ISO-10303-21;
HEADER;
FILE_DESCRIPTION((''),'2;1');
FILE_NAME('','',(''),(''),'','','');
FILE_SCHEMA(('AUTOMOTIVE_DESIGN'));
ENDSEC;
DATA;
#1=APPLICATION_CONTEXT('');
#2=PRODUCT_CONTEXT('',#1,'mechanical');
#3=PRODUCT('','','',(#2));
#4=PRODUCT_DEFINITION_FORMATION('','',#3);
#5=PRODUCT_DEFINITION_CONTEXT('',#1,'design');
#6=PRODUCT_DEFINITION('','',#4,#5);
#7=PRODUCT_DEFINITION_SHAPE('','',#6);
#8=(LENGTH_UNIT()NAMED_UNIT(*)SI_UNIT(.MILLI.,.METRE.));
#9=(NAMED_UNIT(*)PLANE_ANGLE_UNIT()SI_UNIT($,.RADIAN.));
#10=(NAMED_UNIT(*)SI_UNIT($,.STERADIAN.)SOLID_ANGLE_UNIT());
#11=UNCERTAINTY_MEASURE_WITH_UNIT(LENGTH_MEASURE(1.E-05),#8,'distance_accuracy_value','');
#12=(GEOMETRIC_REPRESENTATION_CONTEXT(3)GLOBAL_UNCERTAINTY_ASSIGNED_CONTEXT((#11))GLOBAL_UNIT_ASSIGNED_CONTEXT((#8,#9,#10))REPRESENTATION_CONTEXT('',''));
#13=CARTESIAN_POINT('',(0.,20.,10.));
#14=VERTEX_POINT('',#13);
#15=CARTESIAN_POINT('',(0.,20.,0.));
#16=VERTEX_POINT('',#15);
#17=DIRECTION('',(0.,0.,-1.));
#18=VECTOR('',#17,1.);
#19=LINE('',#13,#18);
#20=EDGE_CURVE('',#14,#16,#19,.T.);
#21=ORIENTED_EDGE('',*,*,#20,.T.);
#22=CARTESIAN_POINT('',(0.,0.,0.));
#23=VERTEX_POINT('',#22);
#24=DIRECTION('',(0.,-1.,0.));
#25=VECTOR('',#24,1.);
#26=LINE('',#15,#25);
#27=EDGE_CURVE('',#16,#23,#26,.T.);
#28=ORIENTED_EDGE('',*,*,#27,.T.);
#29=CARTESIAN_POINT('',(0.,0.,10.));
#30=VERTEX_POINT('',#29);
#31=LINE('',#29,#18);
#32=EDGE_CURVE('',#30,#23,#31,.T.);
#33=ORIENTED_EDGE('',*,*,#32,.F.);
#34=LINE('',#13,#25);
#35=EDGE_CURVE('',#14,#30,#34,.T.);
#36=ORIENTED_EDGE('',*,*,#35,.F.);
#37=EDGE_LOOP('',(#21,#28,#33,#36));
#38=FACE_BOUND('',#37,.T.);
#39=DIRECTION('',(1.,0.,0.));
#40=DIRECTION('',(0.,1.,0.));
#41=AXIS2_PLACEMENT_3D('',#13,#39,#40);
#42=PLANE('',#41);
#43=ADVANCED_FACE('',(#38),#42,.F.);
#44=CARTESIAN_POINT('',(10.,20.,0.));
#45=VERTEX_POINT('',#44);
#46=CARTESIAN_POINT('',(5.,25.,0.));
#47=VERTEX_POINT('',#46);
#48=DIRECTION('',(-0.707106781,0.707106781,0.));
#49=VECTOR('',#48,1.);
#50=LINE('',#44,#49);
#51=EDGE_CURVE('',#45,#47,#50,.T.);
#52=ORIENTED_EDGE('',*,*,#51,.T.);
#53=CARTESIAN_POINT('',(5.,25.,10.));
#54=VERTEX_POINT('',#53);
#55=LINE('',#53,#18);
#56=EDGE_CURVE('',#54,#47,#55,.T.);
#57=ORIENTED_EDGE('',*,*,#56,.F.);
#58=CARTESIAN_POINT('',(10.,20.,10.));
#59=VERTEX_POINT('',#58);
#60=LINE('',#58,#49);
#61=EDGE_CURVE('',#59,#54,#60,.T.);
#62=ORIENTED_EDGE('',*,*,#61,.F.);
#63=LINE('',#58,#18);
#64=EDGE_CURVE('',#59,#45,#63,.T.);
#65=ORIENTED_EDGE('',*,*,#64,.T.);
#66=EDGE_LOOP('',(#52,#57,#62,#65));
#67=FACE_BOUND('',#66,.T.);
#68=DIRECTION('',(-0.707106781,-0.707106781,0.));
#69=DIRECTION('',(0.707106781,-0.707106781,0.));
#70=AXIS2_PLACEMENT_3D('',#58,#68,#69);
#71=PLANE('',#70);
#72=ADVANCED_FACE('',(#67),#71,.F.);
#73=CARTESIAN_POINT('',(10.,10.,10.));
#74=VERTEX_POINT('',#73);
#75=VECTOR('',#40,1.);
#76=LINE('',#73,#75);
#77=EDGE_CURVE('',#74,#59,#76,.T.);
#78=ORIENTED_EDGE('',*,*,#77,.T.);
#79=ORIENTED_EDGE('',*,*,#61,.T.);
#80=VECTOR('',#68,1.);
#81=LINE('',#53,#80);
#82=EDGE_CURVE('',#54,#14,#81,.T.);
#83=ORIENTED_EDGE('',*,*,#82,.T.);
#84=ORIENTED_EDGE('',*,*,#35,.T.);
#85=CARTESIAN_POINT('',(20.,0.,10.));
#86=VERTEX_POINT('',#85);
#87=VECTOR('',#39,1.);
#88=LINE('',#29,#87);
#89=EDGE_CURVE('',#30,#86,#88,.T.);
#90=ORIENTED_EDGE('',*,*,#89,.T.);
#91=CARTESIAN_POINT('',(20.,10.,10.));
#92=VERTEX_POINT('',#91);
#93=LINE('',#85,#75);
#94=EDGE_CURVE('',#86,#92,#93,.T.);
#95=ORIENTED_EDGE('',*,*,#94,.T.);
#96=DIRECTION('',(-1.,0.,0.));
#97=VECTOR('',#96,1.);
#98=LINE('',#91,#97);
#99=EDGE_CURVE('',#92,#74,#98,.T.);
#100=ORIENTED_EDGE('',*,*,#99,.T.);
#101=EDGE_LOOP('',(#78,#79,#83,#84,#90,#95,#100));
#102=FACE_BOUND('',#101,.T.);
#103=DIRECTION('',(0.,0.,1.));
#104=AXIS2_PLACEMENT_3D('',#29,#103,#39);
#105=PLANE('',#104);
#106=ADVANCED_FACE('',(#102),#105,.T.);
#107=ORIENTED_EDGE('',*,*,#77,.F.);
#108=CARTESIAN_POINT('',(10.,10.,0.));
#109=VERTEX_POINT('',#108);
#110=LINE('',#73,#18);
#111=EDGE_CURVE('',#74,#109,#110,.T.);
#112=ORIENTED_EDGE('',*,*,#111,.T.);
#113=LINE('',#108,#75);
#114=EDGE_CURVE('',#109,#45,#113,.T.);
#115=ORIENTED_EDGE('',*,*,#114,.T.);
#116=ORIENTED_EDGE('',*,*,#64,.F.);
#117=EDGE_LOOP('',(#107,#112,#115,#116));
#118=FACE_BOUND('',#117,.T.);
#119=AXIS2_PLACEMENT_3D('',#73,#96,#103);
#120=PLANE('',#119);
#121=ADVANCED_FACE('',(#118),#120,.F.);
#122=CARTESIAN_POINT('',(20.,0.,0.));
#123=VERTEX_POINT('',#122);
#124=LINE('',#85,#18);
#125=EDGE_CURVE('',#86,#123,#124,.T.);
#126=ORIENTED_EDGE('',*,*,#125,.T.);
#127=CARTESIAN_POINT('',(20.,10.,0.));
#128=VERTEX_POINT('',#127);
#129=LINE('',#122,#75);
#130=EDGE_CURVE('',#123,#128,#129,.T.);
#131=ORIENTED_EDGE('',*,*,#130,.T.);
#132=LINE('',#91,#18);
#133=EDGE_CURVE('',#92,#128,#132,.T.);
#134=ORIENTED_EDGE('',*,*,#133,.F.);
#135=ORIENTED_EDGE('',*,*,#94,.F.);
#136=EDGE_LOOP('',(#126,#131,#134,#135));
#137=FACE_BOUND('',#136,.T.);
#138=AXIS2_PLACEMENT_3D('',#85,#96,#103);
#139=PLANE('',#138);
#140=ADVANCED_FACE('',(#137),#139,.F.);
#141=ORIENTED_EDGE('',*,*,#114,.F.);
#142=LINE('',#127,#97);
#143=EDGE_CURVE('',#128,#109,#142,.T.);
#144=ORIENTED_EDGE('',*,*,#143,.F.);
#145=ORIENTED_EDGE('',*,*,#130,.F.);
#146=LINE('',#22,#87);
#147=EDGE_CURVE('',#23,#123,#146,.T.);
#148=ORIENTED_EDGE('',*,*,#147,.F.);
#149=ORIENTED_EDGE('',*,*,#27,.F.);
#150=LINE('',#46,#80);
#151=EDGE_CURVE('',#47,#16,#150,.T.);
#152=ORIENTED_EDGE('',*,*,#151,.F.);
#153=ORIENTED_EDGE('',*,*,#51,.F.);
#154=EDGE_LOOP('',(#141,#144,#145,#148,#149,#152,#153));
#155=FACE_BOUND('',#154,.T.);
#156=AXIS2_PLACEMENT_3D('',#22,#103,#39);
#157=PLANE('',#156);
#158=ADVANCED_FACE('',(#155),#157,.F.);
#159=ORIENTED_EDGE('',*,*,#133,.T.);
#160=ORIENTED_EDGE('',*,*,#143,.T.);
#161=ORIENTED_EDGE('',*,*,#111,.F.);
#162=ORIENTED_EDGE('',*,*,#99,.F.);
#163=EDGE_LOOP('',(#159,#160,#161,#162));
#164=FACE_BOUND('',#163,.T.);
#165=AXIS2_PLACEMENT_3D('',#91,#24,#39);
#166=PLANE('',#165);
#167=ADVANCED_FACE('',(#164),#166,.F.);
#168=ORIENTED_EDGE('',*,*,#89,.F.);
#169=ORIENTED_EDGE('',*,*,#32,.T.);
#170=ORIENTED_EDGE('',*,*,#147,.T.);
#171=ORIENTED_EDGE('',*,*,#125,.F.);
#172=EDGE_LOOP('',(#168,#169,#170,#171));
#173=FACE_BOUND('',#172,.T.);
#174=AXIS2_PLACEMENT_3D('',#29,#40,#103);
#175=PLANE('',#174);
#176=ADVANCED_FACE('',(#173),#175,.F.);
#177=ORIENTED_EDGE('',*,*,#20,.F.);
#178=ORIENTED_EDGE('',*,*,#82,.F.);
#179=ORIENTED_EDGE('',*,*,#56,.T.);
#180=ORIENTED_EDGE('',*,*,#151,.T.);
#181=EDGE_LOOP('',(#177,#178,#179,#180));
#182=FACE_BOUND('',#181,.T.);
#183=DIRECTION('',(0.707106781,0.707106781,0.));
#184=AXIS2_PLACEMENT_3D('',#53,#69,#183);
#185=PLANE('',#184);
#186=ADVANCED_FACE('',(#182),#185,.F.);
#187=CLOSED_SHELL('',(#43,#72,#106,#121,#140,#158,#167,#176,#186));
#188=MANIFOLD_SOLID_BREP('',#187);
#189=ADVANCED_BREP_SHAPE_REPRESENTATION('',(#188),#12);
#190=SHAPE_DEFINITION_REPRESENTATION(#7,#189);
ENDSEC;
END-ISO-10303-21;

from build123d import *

# Parameters (mm, degrees)
BOSS_EXTRUDE1_DEPTH = 10


with BuildPart() as part:
    # Sketch1 → Boss-Extrude1 (new body)
    with BuildSketch(Plane.XY):
        Polygon((0, 0), (20, 0), (20, 10), (10, 10), (10, 20), (5, 25), (0, 20), align=None)
    extrude(amount=BOSS_EXTRUDE1_DEPTH)


solid = part.part
